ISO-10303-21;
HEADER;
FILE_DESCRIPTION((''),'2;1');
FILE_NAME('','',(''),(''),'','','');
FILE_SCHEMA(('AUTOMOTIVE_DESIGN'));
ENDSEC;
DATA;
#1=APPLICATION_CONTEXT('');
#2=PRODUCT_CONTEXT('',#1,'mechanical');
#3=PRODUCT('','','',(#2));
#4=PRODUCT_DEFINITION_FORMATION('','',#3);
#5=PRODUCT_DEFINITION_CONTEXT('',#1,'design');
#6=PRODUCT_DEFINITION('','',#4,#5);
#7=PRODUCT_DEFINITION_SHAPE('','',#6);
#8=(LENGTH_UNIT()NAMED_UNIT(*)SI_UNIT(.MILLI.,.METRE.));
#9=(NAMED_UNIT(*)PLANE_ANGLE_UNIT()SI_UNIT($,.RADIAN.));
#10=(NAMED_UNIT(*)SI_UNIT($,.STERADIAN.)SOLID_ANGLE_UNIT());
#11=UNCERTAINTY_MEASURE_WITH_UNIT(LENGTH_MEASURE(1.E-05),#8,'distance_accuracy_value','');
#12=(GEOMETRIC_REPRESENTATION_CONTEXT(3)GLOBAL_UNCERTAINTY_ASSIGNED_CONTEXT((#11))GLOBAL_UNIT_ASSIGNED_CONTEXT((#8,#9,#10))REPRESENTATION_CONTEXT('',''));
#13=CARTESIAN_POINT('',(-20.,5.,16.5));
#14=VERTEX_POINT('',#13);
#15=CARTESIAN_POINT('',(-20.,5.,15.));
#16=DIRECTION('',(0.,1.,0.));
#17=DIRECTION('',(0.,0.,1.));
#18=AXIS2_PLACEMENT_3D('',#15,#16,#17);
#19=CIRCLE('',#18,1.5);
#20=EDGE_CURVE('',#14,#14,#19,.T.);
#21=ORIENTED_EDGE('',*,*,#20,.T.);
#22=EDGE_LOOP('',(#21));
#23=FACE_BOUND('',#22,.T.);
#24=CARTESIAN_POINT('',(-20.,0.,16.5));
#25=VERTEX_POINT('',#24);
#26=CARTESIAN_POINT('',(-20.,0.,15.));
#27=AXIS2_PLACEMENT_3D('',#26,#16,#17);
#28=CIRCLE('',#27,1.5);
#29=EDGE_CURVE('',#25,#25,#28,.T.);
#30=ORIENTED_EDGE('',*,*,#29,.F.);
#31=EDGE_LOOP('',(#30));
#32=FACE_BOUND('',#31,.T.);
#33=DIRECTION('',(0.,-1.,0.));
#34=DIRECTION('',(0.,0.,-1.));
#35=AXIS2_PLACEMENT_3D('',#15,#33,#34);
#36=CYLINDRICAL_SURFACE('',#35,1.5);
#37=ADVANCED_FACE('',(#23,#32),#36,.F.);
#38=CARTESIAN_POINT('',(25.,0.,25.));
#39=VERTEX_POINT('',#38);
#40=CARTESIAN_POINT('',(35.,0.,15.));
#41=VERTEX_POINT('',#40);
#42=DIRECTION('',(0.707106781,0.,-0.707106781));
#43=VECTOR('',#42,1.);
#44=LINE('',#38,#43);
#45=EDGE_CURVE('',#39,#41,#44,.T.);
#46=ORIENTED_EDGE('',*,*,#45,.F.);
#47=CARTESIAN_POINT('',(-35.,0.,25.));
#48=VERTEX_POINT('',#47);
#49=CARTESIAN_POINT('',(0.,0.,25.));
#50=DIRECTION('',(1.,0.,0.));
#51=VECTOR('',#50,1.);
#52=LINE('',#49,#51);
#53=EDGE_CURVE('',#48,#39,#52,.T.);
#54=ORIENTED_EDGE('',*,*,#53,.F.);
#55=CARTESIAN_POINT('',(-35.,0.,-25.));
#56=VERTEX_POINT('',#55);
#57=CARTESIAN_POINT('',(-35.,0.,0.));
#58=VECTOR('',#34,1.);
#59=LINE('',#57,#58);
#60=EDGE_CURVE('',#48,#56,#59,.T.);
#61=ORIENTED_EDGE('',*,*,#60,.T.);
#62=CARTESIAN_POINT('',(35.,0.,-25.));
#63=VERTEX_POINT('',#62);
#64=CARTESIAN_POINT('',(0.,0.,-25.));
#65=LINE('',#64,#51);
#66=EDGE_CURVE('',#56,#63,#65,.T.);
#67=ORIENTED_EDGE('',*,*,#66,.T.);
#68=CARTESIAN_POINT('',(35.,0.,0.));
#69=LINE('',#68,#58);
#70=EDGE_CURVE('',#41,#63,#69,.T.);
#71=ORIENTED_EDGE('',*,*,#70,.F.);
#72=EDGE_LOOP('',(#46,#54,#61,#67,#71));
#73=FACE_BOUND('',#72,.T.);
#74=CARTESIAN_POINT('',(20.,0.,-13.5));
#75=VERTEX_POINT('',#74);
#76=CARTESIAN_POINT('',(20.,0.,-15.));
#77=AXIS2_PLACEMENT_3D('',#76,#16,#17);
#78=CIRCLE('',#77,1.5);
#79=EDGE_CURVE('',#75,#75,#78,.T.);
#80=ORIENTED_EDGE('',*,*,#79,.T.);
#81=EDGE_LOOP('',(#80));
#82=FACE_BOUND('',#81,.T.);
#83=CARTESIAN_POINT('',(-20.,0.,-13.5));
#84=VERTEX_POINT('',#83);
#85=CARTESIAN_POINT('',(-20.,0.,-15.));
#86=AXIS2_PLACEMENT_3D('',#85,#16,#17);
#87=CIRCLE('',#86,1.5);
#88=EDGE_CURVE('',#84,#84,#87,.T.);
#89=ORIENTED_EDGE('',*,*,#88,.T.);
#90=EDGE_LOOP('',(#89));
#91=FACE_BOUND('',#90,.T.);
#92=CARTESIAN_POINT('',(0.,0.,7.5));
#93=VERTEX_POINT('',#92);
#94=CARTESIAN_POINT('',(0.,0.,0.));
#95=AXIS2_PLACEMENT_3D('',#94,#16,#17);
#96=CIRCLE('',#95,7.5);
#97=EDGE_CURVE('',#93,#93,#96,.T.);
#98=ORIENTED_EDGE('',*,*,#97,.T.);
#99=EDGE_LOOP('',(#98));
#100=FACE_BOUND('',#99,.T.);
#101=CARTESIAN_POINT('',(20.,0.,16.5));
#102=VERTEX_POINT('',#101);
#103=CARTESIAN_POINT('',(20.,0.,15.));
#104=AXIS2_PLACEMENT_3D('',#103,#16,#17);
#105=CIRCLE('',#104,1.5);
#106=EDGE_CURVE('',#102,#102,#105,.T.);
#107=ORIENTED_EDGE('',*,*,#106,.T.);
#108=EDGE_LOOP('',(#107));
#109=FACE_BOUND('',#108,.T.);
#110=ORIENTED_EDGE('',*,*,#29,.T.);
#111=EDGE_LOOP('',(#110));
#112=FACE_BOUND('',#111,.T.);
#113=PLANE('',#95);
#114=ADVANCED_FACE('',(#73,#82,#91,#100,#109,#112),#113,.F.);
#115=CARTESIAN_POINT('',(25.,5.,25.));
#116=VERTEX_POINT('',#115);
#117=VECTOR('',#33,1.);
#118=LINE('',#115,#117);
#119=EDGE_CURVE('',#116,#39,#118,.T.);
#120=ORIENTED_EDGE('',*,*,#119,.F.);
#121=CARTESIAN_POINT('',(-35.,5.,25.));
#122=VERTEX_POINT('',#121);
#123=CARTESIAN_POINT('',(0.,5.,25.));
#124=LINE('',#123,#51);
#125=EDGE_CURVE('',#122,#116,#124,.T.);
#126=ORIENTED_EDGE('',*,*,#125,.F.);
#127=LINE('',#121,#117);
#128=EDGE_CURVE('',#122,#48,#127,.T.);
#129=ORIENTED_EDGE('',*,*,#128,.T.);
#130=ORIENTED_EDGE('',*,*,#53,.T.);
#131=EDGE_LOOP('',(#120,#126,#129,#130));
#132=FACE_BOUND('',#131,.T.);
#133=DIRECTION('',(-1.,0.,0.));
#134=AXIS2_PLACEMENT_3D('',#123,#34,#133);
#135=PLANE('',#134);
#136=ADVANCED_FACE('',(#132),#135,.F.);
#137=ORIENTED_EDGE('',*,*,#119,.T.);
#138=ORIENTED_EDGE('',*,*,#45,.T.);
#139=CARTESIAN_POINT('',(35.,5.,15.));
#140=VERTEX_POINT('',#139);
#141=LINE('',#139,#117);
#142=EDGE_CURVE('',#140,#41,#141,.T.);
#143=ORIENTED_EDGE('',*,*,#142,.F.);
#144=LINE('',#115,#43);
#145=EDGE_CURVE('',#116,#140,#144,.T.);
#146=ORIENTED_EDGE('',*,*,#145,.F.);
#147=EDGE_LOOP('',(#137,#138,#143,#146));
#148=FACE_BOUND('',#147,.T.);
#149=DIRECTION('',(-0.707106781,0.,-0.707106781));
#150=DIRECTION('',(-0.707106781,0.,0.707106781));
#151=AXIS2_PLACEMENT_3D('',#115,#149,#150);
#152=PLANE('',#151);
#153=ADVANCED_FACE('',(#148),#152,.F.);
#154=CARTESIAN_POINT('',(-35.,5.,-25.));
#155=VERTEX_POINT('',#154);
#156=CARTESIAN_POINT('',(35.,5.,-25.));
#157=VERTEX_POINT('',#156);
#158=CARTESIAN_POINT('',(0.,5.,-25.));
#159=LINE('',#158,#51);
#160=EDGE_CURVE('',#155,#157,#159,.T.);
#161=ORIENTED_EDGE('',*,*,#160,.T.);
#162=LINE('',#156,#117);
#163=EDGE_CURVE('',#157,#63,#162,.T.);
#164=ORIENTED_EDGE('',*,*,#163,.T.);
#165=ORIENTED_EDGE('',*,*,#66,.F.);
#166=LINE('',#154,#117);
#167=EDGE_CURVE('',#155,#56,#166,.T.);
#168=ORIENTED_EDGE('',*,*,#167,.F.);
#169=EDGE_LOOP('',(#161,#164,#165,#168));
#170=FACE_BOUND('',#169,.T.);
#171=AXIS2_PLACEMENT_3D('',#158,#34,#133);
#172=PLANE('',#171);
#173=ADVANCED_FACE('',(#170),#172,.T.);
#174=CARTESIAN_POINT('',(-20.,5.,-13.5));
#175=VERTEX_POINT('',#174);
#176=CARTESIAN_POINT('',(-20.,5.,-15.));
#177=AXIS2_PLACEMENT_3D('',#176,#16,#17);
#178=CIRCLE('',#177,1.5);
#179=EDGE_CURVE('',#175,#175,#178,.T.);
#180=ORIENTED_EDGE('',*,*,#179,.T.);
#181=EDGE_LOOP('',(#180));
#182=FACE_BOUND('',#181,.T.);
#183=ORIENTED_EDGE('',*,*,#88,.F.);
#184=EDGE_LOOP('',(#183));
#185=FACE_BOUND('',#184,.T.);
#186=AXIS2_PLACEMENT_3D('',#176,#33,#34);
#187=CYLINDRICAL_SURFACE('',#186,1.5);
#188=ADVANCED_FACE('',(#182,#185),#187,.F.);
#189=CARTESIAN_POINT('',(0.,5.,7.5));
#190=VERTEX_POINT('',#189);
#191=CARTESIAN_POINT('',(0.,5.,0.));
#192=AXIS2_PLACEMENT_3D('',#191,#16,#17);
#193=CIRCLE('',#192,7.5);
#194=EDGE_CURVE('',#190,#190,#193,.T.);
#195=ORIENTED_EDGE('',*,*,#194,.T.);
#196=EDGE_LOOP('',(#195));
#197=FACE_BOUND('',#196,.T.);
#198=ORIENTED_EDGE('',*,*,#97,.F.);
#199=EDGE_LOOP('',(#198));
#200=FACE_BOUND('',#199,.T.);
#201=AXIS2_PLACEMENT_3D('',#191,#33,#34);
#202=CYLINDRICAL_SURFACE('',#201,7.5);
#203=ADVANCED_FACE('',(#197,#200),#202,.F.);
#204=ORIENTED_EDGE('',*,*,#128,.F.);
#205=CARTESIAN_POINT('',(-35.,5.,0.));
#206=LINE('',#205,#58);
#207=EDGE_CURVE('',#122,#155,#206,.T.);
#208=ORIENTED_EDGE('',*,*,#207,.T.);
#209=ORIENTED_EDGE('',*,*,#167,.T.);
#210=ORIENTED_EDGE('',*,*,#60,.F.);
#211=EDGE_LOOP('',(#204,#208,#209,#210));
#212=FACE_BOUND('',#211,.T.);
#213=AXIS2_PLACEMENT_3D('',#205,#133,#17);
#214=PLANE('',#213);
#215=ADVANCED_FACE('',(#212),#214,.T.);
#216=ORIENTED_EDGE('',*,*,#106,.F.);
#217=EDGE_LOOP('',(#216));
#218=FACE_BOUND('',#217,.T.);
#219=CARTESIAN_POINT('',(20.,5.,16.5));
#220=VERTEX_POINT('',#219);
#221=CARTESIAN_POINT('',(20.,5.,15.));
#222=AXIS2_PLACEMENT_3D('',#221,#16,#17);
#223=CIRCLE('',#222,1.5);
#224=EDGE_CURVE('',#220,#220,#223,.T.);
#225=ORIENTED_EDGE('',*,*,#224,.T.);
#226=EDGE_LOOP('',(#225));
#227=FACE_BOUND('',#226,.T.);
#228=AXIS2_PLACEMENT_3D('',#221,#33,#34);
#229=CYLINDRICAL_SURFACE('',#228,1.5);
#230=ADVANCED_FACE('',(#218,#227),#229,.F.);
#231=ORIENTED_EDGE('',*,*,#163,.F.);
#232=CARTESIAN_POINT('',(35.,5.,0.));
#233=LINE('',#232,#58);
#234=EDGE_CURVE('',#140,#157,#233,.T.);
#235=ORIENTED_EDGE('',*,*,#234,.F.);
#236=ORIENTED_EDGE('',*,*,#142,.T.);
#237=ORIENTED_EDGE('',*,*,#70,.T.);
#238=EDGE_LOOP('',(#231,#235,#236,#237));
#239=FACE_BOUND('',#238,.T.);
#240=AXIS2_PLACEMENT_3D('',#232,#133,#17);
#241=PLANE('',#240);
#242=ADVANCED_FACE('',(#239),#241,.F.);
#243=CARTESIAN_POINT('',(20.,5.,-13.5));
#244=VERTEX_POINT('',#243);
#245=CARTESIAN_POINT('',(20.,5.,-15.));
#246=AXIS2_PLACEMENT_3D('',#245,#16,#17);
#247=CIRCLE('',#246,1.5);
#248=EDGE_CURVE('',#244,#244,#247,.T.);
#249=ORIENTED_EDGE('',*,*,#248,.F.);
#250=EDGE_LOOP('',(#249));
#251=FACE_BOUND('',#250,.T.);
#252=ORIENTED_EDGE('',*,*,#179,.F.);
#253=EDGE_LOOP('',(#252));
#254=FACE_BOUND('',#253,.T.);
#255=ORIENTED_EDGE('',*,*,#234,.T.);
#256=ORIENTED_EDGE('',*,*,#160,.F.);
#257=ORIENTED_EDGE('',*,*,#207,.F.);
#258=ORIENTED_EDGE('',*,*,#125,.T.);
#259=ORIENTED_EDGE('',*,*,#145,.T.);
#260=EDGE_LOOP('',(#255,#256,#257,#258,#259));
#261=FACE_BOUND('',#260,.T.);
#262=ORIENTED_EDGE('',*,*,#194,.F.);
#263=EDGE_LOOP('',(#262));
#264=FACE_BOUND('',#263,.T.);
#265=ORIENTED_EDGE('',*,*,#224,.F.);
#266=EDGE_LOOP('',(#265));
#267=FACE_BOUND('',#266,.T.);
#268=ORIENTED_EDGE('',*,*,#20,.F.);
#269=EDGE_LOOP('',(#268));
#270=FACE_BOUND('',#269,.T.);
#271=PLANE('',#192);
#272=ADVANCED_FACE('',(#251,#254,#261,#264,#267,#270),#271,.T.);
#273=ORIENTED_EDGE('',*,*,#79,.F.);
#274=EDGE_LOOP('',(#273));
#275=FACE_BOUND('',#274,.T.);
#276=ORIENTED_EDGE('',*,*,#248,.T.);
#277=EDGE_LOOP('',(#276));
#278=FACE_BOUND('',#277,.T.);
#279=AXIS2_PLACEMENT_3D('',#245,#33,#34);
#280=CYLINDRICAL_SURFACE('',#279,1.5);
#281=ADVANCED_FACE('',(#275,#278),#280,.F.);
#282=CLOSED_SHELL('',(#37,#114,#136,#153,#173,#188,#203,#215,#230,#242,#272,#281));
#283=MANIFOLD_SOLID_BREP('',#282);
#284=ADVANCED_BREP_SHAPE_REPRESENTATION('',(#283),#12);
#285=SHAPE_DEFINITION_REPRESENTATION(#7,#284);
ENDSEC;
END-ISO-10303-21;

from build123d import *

# Parameters (mm, degrees)
SKETCH1_R           = 1.5
SKETCH1_R_2         = 7.5
BOSS_EXTRUDE1_DEPTH = 5


with BuildPart() as part:
    # Sketch1 → Boss-Extrude1 (new body)
    with BuildSketch(Plane(origin=(0, 0, 0), x_dir=(1, 0, 0), z_dir=(0, 1, 0))):
        Polygon((-35, -25), (25, -25), (35, -15), (35, 25), (-35, 25), align=None)
        with Locations(Location((-20, -15, 0), (0, 0, 270))):
            Circle(SKETCH1_R, mode=Mode.SUBTRACT)
        with Locations(Location((0, 0, 0), (0, 0, 270))):
            Circle(SKETCH1_R_2, mode=Mode.SUBTRACT)
        with Locations(Location((20, -15, 0), (0, 0, 270))):
            Circle(SKETCH1_R, mode=Mode.SUBTRACT)
        with Locations(Location((-20, 15, 0), (0, 0, 270))):
            Circle(SKETCH1_R, mode=Mode.SUBTRACT)
        with Locations(Location((20, 15, 0), (0, 0, 270))):
            Circle(SKETCH1_R, mode=Mode.SUBTRACT)
    extrude(amount=BOSS_EXTRUDE1_DEPTH)


solid = part.part
